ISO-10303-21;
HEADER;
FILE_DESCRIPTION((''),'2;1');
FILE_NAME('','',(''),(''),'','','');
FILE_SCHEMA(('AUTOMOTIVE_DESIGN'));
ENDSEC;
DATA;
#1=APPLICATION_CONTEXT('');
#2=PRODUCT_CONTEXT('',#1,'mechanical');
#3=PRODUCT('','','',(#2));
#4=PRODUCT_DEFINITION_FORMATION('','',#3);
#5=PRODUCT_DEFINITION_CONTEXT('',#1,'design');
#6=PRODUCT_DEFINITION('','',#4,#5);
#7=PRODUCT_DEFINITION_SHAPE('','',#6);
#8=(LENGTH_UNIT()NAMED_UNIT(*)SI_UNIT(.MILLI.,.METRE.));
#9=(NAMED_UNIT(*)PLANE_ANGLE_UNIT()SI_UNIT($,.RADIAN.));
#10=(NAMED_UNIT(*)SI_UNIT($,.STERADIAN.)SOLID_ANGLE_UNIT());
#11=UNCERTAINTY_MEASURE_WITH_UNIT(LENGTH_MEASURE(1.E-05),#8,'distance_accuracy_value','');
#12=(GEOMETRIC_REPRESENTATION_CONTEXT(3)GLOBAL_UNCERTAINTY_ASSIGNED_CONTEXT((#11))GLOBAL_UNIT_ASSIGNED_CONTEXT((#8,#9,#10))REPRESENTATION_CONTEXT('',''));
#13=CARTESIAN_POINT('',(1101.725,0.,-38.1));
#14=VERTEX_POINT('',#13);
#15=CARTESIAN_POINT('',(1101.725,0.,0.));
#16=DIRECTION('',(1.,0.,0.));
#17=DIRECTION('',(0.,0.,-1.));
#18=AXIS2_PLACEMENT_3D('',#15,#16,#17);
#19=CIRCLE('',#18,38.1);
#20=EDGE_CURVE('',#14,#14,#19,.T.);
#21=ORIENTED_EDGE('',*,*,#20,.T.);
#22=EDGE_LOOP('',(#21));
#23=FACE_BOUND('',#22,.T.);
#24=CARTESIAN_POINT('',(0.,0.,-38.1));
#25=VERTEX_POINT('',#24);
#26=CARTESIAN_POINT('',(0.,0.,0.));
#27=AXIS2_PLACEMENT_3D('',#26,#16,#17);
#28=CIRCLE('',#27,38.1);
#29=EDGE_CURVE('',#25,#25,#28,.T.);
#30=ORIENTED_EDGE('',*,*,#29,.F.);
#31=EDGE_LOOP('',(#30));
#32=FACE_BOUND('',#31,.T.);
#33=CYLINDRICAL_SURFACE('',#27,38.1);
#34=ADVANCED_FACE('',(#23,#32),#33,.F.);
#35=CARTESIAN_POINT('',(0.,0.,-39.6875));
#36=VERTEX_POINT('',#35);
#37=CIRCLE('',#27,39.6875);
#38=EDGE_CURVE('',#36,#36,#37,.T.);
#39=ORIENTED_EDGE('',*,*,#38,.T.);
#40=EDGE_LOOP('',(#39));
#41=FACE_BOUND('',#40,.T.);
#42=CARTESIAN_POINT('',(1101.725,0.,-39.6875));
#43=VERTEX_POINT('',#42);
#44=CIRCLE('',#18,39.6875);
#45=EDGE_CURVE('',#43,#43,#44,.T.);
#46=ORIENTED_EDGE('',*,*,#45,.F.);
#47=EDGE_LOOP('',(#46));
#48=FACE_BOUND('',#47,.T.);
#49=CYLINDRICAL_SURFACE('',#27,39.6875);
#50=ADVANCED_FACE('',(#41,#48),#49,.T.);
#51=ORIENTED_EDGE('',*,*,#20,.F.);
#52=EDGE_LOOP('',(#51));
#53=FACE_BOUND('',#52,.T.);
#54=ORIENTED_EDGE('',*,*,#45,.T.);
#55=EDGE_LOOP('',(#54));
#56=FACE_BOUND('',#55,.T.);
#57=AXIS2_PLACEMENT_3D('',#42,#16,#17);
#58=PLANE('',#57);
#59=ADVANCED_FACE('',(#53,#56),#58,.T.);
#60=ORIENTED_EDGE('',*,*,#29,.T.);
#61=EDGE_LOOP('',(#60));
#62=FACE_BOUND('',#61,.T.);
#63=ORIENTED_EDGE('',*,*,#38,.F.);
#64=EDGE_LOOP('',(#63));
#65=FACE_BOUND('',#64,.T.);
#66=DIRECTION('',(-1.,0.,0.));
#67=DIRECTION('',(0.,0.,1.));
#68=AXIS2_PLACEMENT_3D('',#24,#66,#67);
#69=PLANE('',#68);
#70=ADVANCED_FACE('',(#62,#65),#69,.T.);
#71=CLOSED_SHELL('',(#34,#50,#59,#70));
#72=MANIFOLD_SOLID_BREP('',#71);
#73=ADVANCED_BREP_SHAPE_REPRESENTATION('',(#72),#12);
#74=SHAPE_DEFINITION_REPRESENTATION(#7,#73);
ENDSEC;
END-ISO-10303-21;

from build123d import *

# Parameters (mm, degrees)
SKETCH1_W = 1101.725
SKETCH1_H = 1.5875


with BuildPart() as part:
    # Sketch1 → Revolve1 (revolve)
    with BuildSketch(Plane(origin=(0, 0, 0), x_dir=(1, 0, 0), z_dir=(0, 1, 0))):
        with Locations((550.8625, 38.89375)):
            Rectangle(SKETCH1_W, SKETCH1_H)
    revolve(axis=Axis((0, 0, 0), (-1, 0, 0)))


solid = part.part
